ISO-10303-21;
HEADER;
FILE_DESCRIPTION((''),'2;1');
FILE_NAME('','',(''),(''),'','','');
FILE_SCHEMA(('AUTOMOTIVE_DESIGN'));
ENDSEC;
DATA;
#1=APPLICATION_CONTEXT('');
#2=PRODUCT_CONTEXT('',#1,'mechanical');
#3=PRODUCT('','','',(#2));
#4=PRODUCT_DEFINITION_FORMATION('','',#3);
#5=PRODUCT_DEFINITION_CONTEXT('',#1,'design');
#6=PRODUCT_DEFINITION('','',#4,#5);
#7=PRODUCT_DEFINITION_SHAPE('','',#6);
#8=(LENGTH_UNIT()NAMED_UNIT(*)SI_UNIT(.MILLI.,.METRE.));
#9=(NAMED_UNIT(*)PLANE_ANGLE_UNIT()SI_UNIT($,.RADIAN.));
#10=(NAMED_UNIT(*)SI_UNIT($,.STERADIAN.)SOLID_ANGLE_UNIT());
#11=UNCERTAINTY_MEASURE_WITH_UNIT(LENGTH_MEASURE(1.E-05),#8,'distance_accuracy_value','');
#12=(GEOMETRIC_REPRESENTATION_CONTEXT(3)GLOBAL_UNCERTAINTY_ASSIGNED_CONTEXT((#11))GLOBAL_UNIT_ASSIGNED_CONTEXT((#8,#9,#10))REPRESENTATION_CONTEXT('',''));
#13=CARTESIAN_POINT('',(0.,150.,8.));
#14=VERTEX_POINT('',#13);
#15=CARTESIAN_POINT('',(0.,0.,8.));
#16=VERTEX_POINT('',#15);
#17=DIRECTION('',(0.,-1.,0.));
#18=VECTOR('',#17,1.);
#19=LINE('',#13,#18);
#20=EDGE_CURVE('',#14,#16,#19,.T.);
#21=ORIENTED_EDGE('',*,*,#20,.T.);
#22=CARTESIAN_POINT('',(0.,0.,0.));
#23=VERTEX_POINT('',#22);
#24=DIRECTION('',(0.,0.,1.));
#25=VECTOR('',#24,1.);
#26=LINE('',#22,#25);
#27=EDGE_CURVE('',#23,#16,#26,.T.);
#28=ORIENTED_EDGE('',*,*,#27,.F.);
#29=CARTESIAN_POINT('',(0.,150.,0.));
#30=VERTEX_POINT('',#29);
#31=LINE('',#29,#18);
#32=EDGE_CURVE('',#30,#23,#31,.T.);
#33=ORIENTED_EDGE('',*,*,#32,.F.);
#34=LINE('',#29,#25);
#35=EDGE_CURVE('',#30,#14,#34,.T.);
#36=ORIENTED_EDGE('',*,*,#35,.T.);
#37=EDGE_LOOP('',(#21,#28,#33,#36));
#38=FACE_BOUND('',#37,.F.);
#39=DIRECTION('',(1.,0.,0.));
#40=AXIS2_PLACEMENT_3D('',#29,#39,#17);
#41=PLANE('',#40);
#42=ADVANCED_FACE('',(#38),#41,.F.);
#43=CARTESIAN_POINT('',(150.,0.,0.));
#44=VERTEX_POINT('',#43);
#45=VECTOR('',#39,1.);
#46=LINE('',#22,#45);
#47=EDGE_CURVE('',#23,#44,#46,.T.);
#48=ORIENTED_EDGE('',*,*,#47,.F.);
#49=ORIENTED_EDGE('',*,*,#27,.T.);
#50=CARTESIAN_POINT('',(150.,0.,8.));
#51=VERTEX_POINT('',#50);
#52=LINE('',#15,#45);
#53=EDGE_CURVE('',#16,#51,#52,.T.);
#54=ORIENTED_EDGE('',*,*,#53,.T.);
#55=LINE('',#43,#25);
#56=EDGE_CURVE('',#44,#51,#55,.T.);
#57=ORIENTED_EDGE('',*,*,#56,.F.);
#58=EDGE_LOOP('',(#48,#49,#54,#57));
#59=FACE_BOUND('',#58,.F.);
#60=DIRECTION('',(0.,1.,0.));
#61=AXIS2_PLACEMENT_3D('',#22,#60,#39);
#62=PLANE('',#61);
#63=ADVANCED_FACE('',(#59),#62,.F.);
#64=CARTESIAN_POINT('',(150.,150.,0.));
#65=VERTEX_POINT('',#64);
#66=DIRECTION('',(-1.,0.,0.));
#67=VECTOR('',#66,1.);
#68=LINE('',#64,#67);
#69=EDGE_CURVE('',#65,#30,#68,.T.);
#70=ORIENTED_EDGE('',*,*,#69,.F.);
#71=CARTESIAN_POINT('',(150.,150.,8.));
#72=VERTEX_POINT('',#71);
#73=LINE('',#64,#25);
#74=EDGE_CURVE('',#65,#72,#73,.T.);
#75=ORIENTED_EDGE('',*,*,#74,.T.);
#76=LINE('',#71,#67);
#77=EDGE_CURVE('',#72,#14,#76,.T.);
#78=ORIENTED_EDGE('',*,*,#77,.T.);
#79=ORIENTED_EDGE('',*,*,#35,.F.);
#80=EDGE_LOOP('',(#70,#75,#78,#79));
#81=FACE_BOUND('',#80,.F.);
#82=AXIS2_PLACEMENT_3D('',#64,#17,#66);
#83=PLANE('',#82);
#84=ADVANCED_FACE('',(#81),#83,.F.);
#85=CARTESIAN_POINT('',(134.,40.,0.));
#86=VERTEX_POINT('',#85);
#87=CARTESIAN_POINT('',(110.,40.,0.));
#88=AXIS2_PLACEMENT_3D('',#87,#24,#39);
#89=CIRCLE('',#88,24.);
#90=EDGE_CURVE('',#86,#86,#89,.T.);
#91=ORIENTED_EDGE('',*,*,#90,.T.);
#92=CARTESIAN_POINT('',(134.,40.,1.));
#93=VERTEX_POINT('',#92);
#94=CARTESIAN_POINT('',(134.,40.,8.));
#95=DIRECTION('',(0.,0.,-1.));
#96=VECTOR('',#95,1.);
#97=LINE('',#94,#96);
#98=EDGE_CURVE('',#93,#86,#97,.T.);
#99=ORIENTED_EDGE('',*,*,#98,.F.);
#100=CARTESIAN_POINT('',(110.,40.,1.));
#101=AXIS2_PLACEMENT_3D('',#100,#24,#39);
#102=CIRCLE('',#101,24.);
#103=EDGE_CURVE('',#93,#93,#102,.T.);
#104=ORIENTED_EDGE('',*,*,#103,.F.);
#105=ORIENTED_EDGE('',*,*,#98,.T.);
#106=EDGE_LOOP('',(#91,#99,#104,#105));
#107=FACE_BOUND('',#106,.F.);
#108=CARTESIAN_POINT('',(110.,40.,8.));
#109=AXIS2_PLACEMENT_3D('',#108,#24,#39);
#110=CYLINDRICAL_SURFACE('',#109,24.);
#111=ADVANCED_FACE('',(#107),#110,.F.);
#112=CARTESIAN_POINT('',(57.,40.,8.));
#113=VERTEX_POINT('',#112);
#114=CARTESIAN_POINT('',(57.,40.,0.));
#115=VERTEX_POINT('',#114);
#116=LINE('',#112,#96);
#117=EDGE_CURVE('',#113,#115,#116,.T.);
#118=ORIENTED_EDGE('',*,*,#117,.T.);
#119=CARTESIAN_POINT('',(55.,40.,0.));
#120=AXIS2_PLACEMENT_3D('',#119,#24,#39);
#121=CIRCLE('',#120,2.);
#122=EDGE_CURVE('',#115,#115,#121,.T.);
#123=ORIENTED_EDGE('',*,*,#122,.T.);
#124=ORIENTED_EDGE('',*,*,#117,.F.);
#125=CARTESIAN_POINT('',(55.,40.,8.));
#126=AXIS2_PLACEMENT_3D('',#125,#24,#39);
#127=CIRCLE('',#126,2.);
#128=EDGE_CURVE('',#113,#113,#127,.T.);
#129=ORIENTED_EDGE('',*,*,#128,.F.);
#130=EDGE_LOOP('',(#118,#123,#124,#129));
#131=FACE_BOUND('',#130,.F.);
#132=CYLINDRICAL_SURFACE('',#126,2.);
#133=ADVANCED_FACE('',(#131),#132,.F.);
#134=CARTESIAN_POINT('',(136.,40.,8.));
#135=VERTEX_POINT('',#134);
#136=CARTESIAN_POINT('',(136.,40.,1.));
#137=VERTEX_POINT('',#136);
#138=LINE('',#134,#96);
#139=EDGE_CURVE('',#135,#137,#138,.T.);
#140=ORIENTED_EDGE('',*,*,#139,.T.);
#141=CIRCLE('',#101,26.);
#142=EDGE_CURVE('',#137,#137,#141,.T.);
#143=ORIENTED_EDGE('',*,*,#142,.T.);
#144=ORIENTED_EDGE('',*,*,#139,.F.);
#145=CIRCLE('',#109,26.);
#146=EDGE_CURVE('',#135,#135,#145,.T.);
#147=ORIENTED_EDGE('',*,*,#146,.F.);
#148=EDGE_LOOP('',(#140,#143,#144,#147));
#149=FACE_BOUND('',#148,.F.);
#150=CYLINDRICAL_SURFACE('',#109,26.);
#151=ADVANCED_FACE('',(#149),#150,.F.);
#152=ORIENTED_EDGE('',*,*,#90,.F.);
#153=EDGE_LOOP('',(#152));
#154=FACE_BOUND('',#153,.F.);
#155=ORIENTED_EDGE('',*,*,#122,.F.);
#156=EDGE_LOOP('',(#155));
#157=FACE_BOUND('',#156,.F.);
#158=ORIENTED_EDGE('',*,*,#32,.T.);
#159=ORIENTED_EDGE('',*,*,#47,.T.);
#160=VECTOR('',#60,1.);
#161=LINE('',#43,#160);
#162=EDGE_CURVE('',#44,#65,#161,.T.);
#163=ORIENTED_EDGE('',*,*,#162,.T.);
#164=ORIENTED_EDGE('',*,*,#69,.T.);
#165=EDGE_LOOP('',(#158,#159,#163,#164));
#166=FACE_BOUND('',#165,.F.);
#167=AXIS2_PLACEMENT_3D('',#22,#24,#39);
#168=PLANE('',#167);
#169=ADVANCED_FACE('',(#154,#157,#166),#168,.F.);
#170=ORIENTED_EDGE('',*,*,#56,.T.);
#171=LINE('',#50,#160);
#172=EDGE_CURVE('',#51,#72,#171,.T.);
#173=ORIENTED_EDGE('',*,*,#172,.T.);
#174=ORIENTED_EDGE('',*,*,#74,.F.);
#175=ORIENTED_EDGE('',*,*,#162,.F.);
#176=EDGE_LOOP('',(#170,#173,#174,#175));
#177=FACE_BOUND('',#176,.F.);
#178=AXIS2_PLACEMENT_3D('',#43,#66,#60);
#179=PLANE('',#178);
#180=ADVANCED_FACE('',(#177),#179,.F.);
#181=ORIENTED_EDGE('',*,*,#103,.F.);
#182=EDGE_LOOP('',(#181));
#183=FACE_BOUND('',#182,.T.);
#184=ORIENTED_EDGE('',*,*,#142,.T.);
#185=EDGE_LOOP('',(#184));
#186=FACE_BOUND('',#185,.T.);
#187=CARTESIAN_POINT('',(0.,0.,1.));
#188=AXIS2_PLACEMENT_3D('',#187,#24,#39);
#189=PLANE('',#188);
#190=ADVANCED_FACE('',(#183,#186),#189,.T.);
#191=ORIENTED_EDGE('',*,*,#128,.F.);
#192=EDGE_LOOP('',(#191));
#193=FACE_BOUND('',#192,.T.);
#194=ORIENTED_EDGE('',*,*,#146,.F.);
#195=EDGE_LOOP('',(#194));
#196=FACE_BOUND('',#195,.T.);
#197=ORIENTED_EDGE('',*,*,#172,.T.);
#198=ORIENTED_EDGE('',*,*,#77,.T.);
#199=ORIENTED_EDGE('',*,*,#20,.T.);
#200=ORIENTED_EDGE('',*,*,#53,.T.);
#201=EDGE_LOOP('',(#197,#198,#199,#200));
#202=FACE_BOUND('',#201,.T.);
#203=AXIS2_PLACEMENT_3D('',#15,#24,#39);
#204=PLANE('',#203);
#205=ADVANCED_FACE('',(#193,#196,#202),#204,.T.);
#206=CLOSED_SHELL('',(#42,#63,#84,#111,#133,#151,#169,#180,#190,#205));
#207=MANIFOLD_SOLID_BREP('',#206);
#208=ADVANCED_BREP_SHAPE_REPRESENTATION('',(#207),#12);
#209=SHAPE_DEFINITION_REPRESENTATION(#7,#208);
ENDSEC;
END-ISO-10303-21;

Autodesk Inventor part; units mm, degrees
ref_plane "YZ Plane" through (0, 0, 0) normal (1, 0, 0) x (0, 1, 0)
ref_plane "XZ Plane" through (0, 0, 0) normal (0, 1, 0) x (-1, 0, 0)
ref_plane "XY Plane" through (0, 0, 0) normal (0, 0, 1) x (1, 0, 0)
sketch "Sketch1" plane through (0, 0, 0) normal (0, 0, 1) x (1, 0, 0)
  line L0 (0, 0) -> (150, 0)
  line L1 (150, 0) -> (150, 150)
  line L2 (150, 150) -> (0, 150)
  line L3 (0, 150) -> (0, 0)
  dimension "d0" = 150
  dimension "d1" = 150
extrude "Extrusion1" add sketch "Sketch1" along normal blind 8
sketch "Sketch2" plane through (0, 0, 8) normal (0, 0, 1) x (1, 0, 0)
  circle A0 centre (110, 40) radius 24
  line L0 (0, 0) -> (150, 0) projected
  line L1 (150, 0) -> (150, 150) projected
  line L2 (110, 40) -> (55, 40)
  circle A1 centre (55, 40) radius 2
  dimension "d4" = 48
  dimension "d5" = 40
  dimension "d6" = 40
  dimension "d7" = 55
  dimension "d8" = 4
extrude "Extrusion2" cut sketch "Sketch2" against normal blind 8
sketch "Sketch3" plane through (0, 0, 8) normal (0, 0, 1) x (1, 0, 0)
  circle A0 centre (110, 40) radius 26
  point P0 (0, 0)
  dimension "d12" = 52
extrude "Extrusion3" cut sketch "Sketch3" against normal blind 7
properties part number "cote droit"
